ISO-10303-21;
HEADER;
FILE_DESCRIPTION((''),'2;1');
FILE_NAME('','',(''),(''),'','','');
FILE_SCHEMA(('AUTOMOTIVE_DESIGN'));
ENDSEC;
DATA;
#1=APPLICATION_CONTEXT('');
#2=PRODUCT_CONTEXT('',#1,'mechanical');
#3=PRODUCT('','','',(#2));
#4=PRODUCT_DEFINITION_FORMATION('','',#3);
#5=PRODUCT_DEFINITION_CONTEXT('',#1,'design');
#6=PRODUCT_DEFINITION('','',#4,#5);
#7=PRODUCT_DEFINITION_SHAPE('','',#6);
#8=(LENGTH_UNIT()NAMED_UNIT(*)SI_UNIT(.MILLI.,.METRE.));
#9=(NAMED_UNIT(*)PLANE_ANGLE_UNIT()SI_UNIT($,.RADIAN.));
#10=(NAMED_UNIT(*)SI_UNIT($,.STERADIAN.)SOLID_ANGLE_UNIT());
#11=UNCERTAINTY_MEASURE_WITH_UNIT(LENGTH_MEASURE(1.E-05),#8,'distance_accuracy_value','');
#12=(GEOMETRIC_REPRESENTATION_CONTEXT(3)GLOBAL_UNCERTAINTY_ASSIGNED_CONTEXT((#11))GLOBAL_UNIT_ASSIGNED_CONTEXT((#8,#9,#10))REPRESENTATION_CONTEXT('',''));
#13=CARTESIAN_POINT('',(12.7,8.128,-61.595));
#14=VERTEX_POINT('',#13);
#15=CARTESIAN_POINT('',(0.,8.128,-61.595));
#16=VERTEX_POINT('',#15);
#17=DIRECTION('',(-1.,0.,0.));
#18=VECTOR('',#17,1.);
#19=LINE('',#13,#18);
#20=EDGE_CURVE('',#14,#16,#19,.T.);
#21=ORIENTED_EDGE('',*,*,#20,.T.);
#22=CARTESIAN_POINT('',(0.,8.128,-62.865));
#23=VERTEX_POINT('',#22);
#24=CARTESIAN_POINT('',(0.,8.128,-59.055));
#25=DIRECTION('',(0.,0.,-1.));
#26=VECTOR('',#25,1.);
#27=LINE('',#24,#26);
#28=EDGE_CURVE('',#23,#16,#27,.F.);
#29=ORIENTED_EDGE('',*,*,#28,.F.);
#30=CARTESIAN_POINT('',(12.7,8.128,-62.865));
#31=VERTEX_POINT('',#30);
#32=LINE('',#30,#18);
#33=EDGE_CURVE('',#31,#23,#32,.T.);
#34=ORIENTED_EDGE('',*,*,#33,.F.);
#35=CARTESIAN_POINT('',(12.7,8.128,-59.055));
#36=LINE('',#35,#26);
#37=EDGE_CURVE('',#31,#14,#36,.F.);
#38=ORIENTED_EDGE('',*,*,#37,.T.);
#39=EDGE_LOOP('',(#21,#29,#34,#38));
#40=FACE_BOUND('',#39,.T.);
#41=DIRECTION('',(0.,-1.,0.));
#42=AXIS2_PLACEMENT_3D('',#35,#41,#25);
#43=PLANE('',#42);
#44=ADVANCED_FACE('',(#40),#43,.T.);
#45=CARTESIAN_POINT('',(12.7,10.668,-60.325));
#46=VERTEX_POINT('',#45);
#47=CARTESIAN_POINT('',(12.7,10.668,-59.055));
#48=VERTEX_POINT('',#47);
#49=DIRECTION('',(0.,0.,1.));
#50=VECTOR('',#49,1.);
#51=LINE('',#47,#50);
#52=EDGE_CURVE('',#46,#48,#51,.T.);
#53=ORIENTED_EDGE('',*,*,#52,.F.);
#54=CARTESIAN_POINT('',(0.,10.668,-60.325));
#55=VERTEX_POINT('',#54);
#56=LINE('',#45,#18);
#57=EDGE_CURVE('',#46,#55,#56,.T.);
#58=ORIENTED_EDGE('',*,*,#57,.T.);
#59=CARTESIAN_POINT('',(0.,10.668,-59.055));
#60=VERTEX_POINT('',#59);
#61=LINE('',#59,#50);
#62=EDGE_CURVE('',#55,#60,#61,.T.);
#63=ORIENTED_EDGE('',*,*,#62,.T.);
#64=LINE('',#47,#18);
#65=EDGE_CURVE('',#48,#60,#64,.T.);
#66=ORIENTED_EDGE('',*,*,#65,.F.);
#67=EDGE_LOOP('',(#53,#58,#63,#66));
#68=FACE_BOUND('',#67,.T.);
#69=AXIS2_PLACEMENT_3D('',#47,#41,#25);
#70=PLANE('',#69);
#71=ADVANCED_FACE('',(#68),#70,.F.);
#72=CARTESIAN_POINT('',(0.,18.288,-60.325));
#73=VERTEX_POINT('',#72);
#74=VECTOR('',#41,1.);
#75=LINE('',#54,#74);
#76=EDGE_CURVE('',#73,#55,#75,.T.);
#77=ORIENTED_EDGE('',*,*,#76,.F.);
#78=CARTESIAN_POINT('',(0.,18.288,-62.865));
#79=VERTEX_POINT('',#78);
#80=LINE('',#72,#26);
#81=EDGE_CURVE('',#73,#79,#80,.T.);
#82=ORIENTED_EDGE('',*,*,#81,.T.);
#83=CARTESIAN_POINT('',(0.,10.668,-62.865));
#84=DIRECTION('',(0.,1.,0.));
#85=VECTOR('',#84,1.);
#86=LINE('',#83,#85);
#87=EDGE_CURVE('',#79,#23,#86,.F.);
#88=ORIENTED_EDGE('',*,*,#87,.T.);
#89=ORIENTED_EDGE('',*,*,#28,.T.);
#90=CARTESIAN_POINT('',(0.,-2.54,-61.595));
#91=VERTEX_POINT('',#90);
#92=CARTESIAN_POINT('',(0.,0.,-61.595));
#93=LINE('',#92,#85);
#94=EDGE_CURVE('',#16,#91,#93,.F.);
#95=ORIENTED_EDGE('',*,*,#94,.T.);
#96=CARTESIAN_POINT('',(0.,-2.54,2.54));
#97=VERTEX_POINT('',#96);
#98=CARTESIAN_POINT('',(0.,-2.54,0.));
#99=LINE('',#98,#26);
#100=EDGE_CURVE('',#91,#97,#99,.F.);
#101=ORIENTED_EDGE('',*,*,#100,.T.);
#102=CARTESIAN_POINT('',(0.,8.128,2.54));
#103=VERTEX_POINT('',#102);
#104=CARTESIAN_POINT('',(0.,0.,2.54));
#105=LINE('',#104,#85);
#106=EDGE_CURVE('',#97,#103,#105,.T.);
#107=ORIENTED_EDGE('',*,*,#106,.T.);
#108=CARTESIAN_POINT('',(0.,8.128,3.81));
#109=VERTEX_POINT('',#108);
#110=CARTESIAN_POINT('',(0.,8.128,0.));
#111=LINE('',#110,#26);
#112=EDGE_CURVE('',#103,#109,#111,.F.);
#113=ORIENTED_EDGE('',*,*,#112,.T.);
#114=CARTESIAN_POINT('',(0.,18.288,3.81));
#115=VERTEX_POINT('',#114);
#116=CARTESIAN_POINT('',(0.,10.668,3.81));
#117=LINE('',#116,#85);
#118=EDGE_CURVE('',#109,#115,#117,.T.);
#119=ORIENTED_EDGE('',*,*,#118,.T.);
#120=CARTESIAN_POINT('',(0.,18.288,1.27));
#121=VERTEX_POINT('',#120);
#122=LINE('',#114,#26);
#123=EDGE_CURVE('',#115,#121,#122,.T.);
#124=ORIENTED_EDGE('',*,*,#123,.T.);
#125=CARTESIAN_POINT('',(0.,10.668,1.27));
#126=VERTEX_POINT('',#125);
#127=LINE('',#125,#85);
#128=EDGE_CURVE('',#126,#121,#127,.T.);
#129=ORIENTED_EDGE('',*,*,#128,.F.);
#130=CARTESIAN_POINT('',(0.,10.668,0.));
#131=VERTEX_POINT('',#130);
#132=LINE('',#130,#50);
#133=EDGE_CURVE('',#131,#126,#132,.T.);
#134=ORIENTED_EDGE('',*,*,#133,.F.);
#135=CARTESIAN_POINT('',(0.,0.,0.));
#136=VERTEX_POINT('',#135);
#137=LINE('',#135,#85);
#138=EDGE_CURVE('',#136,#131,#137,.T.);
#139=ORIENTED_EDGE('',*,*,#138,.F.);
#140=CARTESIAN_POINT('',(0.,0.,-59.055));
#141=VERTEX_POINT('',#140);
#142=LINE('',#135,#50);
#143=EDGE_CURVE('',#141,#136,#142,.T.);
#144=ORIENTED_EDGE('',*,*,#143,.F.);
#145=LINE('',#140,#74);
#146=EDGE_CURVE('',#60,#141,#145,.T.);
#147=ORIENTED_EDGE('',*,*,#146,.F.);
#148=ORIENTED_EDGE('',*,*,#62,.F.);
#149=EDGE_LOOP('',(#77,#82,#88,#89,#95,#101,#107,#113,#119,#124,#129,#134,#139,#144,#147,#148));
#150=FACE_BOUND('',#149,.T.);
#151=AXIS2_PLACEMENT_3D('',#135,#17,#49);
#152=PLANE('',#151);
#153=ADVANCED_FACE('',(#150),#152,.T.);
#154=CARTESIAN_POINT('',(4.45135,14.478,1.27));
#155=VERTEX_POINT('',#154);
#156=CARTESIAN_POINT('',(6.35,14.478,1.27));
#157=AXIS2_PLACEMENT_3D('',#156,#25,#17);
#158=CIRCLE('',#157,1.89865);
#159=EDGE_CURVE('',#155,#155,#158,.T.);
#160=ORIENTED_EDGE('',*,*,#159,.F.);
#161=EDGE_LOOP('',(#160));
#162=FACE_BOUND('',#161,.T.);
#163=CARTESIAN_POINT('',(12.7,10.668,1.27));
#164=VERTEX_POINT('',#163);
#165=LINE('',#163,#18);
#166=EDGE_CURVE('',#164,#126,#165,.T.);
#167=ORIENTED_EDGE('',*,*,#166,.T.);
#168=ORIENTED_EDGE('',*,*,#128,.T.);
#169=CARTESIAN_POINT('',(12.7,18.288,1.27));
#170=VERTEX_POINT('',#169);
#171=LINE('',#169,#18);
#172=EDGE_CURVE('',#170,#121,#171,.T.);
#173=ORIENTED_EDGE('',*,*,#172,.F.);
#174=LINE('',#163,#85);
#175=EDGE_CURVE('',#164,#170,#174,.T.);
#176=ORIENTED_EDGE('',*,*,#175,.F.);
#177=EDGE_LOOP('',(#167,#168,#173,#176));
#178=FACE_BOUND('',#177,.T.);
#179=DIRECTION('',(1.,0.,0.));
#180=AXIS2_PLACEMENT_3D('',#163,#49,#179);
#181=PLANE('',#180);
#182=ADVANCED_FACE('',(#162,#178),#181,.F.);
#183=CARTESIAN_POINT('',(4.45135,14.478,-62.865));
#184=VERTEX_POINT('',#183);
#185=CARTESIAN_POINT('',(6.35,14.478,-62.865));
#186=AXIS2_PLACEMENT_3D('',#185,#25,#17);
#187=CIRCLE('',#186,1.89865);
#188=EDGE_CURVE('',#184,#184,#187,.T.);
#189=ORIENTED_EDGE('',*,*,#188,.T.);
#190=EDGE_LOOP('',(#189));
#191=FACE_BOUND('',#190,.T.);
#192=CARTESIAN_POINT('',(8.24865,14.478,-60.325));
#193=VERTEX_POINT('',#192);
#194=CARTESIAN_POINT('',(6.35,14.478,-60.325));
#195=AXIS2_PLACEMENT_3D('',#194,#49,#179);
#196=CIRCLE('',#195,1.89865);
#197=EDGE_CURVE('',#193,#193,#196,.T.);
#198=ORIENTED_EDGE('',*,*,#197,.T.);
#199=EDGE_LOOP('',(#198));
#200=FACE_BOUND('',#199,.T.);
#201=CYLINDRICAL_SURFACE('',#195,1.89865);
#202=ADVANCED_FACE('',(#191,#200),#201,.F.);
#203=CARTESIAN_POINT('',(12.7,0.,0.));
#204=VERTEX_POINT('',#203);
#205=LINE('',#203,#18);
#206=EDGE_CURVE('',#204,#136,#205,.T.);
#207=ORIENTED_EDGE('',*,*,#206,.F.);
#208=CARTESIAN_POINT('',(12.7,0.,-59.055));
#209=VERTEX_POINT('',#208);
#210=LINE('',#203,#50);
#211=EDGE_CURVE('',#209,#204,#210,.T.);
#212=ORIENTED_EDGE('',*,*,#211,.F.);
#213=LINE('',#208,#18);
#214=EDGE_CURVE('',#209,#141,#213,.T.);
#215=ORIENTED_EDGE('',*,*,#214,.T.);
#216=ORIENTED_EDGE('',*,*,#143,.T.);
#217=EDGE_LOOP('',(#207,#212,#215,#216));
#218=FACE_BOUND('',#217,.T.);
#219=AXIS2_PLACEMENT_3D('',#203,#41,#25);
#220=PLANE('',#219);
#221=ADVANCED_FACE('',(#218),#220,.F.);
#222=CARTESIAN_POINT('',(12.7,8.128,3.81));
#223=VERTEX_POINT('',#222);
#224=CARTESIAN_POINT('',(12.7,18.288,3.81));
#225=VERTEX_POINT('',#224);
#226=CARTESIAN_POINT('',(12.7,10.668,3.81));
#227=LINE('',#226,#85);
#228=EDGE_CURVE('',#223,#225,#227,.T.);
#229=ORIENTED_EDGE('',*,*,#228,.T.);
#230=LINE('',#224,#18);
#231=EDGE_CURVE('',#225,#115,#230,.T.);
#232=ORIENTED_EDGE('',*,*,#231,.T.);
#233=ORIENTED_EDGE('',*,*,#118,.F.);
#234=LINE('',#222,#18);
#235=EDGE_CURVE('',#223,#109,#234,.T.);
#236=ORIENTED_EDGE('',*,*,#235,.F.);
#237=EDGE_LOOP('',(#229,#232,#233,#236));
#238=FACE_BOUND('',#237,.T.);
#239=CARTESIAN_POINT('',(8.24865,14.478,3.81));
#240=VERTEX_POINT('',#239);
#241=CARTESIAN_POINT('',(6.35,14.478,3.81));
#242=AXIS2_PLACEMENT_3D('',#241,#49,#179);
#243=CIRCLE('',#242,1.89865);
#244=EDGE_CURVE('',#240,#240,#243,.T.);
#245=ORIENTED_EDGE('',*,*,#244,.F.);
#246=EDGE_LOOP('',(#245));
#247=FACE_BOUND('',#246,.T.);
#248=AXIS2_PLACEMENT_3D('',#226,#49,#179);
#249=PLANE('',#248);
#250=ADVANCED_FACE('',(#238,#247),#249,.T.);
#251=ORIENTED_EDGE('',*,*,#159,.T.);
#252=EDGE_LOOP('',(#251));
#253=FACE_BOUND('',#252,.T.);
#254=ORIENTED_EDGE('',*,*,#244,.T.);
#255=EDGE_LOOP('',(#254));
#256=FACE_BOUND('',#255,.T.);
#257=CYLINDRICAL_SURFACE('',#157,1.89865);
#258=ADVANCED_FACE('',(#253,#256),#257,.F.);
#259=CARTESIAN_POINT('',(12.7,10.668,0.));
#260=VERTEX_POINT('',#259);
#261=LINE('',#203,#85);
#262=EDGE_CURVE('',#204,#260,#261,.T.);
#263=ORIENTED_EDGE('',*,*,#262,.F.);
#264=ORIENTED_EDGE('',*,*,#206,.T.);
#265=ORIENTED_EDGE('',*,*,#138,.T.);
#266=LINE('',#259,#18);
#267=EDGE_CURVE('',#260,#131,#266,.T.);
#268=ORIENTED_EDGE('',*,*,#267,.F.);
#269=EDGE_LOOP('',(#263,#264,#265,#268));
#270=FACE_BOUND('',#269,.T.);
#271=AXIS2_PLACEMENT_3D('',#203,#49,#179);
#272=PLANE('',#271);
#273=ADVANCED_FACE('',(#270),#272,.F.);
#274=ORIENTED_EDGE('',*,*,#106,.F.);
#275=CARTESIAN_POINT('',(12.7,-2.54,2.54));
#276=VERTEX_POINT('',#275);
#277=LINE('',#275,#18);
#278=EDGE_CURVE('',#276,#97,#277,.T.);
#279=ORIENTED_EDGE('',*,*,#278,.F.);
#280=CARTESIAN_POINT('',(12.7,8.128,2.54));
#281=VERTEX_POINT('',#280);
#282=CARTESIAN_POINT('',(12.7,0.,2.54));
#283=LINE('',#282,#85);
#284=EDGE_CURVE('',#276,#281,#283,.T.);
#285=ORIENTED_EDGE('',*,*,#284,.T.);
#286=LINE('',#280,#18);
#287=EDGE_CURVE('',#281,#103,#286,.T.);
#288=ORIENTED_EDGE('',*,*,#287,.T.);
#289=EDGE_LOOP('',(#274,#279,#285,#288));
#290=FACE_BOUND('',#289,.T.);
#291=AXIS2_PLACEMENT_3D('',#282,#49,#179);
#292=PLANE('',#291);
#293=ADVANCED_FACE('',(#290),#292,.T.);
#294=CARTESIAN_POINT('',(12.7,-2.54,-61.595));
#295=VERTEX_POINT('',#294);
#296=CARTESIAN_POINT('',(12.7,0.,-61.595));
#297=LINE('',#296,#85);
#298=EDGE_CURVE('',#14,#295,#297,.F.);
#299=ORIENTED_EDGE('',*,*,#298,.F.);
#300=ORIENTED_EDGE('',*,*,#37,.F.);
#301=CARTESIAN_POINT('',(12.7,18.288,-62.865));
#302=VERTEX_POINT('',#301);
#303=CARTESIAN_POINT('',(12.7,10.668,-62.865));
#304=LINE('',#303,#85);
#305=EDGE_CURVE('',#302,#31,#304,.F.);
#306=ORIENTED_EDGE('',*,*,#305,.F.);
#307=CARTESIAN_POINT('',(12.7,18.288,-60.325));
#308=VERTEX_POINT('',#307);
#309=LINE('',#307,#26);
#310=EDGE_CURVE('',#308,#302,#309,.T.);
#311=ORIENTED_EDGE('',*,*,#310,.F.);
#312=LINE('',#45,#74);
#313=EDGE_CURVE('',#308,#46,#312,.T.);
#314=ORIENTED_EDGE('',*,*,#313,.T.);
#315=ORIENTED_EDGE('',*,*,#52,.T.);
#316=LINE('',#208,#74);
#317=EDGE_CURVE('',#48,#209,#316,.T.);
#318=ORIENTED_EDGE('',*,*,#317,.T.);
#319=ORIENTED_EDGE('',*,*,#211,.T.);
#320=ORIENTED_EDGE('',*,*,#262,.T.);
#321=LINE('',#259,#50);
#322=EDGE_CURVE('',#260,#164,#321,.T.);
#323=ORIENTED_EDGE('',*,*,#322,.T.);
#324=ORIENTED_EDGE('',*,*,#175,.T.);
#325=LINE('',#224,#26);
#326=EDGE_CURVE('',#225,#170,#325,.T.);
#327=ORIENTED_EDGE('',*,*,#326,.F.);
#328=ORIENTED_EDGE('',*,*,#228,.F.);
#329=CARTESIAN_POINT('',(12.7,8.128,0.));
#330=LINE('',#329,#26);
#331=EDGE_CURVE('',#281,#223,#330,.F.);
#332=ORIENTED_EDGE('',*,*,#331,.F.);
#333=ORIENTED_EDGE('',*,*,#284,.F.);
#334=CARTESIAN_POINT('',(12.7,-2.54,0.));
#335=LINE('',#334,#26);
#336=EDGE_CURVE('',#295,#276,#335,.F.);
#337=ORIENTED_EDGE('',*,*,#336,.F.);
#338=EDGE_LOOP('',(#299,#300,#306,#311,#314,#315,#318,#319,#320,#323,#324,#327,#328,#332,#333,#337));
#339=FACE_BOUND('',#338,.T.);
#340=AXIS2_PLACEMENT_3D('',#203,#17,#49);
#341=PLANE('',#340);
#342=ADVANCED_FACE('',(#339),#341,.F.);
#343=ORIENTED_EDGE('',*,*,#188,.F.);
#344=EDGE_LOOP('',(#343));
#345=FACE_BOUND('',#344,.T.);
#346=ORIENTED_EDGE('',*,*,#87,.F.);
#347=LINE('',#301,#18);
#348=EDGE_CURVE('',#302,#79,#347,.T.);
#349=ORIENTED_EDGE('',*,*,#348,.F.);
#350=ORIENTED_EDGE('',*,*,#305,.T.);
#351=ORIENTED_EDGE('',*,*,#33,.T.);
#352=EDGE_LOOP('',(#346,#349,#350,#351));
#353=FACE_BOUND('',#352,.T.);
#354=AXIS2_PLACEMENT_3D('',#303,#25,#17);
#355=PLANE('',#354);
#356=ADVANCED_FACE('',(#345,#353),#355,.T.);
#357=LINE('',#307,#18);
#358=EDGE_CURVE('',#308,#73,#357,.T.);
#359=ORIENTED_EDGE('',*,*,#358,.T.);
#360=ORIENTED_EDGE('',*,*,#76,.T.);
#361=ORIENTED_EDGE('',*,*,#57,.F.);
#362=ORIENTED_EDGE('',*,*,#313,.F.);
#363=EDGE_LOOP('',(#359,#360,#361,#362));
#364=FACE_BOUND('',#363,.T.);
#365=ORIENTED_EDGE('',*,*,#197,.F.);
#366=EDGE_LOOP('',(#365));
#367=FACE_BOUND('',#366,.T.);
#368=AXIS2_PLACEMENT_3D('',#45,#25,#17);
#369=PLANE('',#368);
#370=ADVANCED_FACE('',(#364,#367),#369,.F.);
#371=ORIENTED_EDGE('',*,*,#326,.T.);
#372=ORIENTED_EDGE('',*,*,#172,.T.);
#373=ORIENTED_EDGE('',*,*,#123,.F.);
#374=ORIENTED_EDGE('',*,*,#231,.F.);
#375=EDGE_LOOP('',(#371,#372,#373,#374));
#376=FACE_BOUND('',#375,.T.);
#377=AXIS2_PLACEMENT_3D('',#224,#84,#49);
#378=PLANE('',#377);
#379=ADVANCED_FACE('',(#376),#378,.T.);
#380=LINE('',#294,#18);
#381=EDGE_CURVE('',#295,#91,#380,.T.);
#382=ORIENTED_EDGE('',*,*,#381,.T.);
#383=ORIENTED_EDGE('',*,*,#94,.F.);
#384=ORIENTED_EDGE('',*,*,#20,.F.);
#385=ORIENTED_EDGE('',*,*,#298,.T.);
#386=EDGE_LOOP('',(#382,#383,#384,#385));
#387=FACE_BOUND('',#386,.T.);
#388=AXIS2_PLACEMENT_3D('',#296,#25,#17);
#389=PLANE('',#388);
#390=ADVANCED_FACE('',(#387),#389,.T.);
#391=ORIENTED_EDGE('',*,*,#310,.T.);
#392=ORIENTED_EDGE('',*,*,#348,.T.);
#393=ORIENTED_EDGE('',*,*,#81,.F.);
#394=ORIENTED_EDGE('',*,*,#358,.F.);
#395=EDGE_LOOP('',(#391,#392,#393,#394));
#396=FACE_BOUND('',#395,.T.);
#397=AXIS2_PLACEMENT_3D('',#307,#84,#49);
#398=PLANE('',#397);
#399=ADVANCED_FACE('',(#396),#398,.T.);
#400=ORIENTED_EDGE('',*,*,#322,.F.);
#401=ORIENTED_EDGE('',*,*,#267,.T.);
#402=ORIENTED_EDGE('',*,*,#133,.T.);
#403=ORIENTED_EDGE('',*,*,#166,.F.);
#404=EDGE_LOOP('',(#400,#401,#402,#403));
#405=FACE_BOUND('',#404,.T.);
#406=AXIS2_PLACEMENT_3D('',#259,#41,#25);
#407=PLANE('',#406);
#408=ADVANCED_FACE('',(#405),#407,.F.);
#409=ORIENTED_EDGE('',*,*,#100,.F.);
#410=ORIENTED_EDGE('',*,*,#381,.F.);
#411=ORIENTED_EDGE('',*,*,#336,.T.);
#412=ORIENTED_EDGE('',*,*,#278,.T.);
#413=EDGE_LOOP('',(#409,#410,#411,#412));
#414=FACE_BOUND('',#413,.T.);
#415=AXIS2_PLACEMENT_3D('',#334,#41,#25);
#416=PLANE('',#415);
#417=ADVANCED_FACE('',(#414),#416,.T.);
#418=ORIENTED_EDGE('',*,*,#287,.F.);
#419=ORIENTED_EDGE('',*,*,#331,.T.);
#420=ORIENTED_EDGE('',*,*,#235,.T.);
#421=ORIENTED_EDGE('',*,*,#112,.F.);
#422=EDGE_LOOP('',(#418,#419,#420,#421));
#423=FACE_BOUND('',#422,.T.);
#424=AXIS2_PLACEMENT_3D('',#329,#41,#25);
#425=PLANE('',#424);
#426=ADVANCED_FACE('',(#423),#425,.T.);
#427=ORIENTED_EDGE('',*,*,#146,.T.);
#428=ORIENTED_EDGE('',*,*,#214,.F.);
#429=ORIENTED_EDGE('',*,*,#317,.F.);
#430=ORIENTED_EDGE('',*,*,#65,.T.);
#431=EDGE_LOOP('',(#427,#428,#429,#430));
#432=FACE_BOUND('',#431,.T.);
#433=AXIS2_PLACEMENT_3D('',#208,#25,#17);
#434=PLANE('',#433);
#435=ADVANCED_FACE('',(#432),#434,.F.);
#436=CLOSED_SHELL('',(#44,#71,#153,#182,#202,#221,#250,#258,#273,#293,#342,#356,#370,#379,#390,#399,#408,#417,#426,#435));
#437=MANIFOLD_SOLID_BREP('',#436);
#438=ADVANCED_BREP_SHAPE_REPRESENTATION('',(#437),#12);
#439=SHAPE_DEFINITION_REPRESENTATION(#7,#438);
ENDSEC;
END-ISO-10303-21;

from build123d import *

# Parameters (mm, degrees)
EXTRUDE_THIN1_DEPTH       = 12.7
F_6_CLEARANCE_HOLE1_D     = 3.7973
F_6_CLEARANCE_HOLE1_DEPTH = 7.62
F_6_CLEARANCE_HOLE1_TIP   = 1.140824014
F_6_CLEARANCE_HOLE2_D     = 3.7973
F_6_CLEARANCE_HOLE2_DEPTH = 7.62
F_6_CLEARANCE_HOLE2_TIP   = 1.140824014


with BuildPart() as part:
    # Sketch1 → Extrude-Thin1 (new body)
    with BuildSketch(Plane(origin=(0, 0, 0), x_dir=(0, 0, -1), z_dir=(1, 0, 0))):
        Polygon((-1.27, 18.288), (-1.27, 10.668), (0, 10.668), (0, 0), (59.055, 0), (59.055, 10.668), (60.325, 10.668), (60.325, 18.288), (62.865, 18.288), (62.865, 8.128), (61.595, 8.128), (61.595, -2.54), (-2.54, -2.54), (-2.54, 8.128), (-3.81, 8.128), (-3.81, 18.288), align=None)
    extrude(amount=EXTRUDE_THIN1_DEPTH)

    # #6 Clearance Hole1
    with Locations(Plane(origin=(0, 0, 1.27), x_dir=(-1, 0, 0), z_dir=(0, 0, -1))):
        with Locations((-6.35, 14.478)):
            Hole(F_6_CLEARANCE_HOLE1_D / 2, depth=F_6_CLEARANCE_HOLE1_DEPTH)
            with Locations((0, 0, -(F_6_CLEARANCE_HOLE1_DEPTH + F_6_CLEARANCE_HOLE1_TIP / 2))):  # 118° drill point
                Cone(0, F_6_CLEARANCE_HOLE1_D / 2, F_6_CLEARANCE_HOLE1_TIP, mode=Mode.SUBTRACT)

    # #6 Clearance Hole2
    with Locations(Plane.XY.offset(-60.325)):
        with Locations((6.35, 14.478)):
            Hole(F_6_CLEARANCE_HOLE2_D / 2, depth=F_6_CLEARANCE_HOLE2_DEPTH)
            with Locations((0, 0, -(F_6_CLEARANCE_HOLE2_DEPTH + F_6_CLEARANCE_HOLE2_TIP / 2))):  # 118° drill point
                Cone(0, F_6_CLEARANCE_HOLE2_D / 2, F_6_CLEARANCE_HOLE2_TIP, mode=Mode.SUBTRACT)


solid = part.part
